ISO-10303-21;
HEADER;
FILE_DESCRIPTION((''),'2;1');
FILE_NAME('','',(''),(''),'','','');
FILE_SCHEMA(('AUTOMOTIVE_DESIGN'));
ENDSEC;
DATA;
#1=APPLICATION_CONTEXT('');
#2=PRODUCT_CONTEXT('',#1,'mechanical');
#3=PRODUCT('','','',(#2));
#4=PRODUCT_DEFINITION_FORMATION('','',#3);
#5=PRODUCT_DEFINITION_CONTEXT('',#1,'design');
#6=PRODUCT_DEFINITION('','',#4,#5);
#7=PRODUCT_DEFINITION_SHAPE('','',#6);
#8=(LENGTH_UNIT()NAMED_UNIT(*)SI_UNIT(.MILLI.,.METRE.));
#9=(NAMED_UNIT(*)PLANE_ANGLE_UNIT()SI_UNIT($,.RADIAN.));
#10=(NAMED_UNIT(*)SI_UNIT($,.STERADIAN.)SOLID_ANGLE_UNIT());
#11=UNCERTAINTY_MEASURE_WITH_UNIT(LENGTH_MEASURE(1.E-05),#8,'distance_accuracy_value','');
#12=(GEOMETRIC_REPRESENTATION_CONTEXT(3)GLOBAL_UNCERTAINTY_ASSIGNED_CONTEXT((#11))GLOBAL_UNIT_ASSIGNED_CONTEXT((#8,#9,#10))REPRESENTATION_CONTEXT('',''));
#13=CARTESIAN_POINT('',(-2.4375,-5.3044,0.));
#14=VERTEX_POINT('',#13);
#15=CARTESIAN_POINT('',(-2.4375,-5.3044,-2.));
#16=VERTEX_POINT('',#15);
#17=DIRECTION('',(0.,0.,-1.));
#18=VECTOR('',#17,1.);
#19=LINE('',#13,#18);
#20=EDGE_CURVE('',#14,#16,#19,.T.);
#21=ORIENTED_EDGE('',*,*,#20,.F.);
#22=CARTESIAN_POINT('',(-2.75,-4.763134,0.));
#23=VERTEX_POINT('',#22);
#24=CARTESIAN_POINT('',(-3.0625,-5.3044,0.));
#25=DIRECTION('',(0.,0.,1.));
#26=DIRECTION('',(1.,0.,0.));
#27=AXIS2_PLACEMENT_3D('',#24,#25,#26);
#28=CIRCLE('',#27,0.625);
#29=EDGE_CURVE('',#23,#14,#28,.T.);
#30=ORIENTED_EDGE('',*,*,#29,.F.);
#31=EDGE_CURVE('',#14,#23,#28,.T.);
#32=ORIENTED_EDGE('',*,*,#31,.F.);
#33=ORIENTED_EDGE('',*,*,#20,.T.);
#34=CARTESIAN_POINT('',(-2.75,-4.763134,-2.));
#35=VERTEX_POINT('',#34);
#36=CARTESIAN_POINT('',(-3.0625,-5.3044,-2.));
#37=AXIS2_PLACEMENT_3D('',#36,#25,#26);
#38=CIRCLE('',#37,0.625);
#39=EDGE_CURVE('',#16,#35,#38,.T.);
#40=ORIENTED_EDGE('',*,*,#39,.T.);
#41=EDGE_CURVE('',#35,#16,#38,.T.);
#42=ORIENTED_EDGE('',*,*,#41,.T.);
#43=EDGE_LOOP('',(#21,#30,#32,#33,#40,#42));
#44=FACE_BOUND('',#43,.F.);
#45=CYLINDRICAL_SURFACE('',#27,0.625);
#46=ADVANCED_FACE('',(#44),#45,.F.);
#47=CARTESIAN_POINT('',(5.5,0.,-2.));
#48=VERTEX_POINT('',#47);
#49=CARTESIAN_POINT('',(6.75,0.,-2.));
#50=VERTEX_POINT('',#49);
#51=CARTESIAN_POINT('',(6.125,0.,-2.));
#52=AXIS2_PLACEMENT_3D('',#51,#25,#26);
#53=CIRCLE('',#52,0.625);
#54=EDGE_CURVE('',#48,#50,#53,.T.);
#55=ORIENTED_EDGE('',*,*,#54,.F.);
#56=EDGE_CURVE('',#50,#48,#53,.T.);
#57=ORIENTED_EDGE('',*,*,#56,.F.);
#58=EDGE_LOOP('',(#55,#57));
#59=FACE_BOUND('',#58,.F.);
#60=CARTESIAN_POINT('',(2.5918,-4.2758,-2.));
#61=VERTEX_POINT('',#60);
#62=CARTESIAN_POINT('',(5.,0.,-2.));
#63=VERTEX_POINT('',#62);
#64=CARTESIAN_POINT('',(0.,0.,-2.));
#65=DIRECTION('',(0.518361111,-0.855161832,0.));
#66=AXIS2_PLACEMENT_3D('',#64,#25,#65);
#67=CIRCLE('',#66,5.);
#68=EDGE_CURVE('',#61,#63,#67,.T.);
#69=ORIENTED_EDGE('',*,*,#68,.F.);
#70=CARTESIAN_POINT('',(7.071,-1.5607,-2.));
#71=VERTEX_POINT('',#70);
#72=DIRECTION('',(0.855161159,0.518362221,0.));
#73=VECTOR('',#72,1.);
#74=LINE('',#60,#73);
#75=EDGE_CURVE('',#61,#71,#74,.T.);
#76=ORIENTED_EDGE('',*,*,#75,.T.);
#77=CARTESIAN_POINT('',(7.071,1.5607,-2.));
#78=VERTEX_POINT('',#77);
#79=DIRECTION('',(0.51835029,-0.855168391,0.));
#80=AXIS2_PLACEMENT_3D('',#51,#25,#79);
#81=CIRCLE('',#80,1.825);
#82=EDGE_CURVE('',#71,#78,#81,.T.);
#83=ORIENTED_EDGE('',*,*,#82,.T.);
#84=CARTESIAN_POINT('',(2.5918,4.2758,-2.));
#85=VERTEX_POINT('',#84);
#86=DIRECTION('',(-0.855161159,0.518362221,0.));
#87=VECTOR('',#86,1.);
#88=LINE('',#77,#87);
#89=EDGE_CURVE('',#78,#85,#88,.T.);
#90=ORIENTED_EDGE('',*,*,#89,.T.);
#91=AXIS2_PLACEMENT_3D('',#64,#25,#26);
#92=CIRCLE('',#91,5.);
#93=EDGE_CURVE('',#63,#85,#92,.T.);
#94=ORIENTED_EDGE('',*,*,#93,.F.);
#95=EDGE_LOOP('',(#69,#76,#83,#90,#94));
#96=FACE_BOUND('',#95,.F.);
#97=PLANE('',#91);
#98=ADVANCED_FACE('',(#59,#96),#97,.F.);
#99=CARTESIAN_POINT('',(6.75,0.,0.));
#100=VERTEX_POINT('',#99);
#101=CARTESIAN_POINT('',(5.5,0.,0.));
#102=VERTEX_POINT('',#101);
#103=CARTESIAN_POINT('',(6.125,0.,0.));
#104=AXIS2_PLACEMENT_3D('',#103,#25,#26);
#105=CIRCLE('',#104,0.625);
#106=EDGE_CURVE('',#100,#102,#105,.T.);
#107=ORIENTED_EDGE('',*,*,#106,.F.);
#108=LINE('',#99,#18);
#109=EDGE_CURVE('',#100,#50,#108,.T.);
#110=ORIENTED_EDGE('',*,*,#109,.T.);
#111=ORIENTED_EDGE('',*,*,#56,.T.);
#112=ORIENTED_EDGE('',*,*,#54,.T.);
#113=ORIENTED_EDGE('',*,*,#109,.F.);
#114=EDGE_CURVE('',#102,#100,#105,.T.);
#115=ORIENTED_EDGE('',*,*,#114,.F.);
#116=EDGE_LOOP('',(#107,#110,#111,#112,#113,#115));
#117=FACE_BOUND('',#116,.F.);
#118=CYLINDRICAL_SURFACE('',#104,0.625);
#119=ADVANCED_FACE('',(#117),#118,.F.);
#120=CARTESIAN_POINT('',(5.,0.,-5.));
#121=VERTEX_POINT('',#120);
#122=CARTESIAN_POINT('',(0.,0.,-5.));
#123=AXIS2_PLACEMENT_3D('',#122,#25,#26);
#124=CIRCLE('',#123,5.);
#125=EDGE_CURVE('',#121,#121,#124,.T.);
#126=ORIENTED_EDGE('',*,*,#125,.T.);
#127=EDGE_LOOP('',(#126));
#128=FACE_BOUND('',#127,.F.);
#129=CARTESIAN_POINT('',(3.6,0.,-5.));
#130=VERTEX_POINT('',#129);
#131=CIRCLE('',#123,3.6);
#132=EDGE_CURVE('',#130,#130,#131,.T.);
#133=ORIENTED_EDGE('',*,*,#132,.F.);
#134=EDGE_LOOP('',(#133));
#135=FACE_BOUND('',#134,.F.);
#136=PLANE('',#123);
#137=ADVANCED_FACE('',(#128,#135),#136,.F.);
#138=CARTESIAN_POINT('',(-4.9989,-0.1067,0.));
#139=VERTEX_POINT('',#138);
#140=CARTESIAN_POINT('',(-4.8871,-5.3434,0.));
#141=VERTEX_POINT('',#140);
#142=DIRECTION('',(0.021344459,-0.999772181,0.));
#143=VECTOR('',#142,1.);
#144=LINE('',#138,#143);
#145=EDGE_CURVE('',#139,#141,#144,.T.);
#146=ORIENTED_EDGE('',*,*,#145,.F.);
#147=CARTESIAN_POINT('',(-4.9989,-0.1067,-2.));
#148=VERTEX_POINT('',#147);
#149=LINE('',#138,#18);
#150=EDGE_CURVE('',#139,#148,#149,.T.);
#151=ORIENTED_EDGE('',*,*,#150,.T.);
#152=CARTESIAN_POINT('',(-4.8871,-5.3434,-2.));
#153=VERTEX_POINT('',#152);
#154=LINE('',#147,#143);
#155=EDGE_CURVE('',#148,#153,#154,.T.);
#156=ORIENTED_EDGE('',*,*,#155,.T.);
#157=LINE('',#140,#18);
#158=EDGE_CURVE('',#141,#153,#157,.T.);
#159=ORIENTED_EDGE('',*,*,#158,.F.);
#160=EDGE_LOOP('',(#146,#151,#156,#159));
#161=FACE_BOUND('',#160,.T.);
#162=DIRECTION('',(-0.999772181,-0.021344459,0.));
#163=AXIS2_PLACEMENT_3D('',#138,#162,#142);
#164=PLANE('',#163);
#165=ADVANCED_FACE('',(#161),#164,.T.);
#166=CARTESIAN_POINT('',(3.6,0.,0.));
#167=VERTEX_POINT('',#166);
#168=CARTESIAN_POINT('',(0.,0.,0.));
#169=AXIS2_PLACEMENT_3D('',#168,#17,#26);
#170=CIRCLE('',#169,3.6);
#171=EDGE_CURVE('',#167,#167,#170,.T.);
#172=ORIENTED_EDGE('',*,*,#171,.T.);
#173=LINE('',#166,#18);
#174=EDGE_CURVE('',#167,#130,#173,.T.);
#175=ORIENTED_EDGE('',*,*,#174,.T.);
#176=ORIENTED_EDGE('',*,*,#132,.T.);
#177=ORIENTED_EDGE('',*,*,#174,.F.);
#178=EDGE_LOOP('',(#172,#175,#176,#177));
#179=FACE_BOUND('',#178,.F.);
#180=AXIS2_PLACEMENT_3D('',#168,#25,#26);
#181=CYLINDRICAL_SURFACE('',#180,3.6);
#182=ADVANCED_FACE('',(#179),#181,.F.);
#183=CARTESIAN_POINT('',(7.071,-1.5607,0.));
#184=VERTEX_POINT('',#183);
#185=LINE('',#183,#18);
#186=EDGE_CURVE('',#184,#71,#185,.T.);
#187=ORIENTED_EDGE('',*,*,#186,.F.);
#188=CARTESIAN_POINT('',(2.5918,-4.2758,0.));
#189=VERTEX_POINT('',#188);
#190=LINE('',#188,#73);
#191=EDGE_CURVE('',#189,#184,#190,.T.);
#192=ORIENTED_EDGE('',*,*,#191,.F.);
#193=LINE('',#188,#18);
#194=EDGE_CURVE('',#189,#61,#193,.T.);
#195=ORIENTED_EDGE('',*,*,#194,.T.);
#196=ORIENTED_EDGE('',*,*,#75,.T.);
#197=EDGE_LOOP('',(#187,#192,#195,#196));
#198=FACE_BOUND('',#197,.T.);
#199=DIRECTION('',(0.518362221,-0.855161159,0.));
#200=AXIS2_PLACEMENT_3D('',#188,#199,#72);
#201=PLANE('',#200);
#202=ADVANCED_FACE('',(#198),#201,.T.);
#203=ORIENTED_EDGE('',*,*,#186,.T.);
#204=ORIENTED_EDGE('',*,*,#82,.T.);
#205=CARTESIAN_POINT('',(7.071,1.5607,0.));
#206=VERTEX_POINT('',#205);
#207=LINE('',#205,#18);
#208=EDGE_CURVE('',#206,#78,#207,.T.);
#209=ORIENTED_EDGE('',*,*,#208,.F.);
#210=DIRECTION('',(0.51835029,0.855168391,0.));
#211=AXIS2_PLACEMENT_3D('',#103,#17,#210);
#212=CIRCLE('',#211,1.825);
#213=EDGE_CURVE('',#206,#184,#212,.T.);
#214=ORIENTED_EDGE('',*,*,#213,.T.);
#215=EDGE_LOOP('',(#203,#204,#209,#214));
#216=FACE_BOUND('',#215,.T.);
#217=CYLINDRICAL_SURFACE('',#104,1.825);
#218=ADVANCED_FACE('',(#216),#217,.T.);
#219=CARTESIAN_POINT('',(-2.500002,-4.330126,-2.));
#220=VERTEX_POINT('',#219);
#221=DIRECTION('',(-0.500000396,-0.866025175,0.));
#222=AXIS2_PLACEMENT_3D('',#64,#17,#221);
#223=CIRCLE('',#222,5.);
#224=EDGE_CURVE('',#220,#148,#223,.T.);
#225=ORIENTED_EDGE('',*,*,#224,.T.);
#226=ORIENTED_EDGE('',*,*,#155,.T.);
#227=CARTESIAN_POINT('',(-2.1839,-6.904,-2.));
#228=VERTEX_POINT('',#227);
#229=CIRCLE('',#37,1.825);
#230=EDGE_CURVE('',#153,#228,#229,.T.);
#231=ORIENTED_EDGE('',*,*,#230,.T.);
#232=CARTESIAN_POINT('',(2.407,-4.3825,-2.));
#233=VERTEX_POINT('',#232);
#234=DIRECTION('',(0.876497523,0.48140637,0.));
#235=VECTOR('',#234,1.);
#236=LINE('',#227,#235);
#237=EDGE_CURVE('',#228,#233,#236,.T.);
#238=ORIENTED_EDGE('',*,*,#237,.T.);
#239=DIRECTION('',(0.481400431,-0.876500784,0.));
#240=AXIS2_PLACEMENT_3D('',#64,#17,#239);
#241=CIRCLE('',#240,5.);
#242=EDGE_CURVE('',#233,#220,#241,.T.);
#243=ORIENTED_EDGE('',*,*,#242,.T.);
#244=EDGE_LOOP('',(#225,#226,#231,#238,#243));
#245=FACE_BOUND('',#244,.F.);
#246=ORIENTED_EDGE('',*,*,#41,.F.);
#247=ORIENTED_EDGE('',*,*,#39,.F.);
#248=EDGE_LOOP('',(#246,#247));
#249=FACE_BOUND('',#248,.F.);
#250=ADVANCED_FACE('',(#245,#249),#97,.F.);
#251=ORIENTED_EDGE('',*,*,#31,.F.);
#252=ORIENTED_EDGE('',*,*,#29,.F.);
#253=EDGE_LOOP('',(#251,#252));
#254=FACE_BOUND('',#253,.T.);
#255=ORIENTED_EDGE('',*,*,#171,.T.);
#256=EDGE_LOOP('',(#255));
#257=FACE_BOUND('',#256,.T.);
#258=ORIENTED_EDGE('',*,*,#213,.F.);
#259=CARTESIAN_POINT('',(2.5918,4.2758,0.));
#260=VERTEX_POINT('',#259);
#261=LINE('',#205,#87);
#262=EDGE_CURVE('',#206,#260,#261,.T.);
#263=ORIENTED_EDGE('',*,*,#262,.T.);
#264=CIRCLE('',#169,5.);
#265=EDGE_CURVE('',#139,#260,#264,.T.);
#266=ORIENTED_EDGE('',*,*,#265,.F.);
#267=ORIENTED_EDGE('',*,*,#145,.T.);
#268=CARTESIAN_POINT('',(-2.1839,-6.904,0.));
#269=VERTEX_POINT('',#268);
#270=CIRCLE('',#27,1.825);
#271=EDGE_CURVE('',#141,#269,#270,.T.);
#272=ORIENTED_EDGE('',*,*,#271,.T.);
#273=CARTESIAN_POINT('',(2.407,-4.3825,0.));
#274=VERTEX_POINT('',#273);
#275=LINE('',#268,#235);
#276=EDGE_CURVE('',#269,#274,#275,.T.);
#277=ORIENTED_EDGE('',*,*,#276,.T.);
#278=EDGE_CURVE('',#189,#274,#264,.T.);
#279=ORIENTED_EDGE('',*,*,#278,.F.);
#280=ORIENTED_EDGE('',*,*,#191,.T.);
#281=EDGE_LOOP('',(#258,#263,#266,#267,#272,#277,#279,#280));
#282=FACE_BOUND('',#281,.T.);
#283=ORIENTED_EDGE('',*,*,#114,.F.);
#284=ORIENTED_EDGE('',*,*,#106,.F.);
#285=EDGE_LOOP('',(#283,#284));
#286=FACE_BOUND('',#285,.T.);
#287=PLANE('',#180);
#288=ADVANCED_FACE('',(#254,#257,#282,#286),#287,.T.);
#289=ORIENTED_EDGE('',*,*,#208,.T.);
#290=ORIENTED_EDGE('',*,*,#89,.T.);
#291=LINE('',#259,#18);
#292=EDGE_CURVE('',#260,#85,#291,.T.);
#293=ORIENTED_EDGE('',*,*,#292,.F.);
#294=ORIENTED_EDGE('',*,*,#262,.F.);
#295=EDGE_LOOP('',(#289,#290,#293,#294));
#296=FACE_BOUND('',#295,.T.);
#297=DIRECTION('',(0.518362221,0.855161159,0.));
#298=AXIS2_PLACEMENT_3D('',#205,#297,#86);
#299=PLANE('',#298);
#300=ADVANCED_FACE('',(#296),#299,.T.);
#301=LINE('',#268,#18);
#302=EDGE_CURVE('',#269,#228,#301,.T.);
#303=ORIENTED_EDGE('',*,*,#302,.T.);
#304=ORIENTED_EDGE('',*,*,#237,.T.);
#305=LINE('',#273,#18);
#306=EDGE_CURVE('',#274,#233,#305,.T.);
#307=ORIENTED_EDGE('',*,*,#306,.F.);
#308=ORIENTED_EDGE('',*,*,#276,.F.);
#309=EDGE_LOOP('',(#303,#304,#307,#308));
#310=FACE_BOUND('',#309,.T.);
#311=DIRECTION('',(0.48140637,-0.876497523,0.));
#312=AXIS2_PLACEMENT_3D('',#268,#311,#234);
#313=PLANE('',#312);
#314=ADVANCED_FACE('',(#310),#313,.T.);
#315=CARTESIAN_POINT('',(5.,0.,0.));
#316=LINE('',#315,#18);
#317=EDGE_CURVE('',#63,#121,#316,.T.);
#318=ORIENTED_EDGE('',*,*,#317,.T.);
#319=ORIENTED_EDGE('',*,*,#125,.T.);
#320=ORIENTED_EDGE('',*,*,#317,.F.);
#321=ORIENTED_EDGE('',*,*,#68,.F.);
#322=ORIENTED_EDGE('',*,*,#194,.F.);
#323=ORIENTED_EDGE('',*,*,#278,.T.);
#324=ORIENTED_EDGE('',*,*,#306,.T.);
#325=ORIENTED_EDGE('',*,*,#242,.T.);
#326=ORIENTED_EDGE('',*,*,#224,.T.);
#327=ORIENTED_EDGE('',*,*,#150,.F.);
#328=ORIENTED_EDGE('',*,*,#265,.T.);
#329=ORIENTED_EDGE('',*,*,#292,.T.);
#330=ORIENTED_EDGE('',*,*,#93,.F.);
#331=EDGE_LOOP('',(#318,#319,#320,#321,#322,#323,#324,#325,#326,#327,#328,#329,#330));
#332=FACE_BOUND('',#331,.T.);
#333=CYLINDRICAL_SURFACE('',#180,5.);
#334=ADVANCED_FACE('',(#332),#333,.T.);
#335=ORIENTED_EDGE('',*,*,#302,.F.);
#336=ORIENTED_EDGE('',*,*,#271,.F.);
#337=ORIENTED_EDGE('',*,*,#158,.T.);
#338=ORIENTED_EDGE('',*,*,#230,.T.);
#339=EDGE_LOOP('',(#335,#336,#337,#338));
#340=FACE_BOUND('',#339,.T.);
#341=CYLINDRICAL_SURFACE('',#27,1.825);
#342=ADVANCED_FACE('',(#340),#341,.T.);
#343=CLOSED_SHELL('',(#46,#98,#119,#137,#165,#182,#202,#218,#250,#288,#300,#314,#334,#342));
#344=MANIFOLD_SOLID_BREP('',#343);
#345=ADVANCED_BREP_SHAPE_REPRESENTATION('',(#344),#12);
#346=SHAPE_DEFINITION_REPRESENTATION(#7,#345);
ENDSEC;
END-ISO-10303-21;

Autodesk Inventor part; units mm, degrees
ref_plane "YZ Plane" through (0, 0, 0) normal (1, 0, 0) x (0, 1, 0)
ref_plane "XZ Plane" through (0, 0, 0) normal (0, 1, 0) x (-1, 0, 0)
ref_plane "XY Plane" through (0, 0, 0) normal (0, 0, 1) x (1, 0, 0)
sketch "スケッチ1" plane through (0, 0, 0) normal (0, 0, 1) x (1, 0, 0)
  circle A0 centre (0, 0) radius 4.35 construction
  circle A1 centre (0, 0) radius 3.6
  circle A2 centre (0, 0) radius 5
  circle A3 centre (0, 0) radius 6.125 construction
  circle A4 centre (-3.0625, -5.3044) radius 0.625
  circle A5 centre (6.125, 0) radius 0.625
  circle A6 centre (-3.0625, -5.3044) radius 1.825
  circle A7 centre (6.125, 0) radius 1.825
  circle A8 centre (6.125, 0) radius 0.8 construction
  circle A9 centre (-3.0625, -5.3044) radius 0.8 construction
  line L0 (-4.9989, -0.1067) -> (-4.8871, -5.3434)
  line L1 (-2.1839, -6.904) -> (2.407, -4.3825)
  line L2 (2.5918, -4.2758) -> (7.071, -1.5607)
  line L3 (7.071, 1.5607) -> (2.5918, 4.2758)
  circle A10 centre (0, 0) radius 3
  line L4 (0, 0) -> (-3.0625, -5.3044)
  line L5 (0, 0) -> (6.125, 0)
  circle A11 centre (0, 0) radius 3.5
  point P0 (2.3702, 4.4025)
  dimension "d0" = 8.7
  dimension "d3" = 1.25
  dimension "d4" = 1.25
  dimension "d5" = 1.2
  dimension "d6" = 1.2
  dimension "d7" = 0.5
  dimension "d8" = 1.6
  dimension "d9" = 1.6
  dimension "d14" = 6
  dimension "d19" = 120
  dimension "d26" = 0.1
  dimension "d27" = 7
  dimension "d28" = 1.5
extrude "押し出し1" add sketch "スケッチ1" against normal blind 5 contours L5 A7 A2 A6 L4 A1 | A1 L4 A6 A2 A7 L5 | L5 A2 A7 | A7 A2 L5 | L4 A2 A6 | A6 A2 L4
extrude "押し出し3" add sketch "スケッチ1" against normal blind 2 contours A7 A2 | A2 L3 A7 | A7 L2 A2 | A6 A2 | A2 L1 A6 | A6 L0 A2
equation "\"d3\" = d10"
equation "\"d4\" = d10"
equation "\"d6\" = d5"
equation "\"d8\" = d11"
equation "\"d9\" = d8"
equation "\"d10\" = 1.25"
equation "\"d11\" = 1.6"
properties part number "encoderauxiliary"
